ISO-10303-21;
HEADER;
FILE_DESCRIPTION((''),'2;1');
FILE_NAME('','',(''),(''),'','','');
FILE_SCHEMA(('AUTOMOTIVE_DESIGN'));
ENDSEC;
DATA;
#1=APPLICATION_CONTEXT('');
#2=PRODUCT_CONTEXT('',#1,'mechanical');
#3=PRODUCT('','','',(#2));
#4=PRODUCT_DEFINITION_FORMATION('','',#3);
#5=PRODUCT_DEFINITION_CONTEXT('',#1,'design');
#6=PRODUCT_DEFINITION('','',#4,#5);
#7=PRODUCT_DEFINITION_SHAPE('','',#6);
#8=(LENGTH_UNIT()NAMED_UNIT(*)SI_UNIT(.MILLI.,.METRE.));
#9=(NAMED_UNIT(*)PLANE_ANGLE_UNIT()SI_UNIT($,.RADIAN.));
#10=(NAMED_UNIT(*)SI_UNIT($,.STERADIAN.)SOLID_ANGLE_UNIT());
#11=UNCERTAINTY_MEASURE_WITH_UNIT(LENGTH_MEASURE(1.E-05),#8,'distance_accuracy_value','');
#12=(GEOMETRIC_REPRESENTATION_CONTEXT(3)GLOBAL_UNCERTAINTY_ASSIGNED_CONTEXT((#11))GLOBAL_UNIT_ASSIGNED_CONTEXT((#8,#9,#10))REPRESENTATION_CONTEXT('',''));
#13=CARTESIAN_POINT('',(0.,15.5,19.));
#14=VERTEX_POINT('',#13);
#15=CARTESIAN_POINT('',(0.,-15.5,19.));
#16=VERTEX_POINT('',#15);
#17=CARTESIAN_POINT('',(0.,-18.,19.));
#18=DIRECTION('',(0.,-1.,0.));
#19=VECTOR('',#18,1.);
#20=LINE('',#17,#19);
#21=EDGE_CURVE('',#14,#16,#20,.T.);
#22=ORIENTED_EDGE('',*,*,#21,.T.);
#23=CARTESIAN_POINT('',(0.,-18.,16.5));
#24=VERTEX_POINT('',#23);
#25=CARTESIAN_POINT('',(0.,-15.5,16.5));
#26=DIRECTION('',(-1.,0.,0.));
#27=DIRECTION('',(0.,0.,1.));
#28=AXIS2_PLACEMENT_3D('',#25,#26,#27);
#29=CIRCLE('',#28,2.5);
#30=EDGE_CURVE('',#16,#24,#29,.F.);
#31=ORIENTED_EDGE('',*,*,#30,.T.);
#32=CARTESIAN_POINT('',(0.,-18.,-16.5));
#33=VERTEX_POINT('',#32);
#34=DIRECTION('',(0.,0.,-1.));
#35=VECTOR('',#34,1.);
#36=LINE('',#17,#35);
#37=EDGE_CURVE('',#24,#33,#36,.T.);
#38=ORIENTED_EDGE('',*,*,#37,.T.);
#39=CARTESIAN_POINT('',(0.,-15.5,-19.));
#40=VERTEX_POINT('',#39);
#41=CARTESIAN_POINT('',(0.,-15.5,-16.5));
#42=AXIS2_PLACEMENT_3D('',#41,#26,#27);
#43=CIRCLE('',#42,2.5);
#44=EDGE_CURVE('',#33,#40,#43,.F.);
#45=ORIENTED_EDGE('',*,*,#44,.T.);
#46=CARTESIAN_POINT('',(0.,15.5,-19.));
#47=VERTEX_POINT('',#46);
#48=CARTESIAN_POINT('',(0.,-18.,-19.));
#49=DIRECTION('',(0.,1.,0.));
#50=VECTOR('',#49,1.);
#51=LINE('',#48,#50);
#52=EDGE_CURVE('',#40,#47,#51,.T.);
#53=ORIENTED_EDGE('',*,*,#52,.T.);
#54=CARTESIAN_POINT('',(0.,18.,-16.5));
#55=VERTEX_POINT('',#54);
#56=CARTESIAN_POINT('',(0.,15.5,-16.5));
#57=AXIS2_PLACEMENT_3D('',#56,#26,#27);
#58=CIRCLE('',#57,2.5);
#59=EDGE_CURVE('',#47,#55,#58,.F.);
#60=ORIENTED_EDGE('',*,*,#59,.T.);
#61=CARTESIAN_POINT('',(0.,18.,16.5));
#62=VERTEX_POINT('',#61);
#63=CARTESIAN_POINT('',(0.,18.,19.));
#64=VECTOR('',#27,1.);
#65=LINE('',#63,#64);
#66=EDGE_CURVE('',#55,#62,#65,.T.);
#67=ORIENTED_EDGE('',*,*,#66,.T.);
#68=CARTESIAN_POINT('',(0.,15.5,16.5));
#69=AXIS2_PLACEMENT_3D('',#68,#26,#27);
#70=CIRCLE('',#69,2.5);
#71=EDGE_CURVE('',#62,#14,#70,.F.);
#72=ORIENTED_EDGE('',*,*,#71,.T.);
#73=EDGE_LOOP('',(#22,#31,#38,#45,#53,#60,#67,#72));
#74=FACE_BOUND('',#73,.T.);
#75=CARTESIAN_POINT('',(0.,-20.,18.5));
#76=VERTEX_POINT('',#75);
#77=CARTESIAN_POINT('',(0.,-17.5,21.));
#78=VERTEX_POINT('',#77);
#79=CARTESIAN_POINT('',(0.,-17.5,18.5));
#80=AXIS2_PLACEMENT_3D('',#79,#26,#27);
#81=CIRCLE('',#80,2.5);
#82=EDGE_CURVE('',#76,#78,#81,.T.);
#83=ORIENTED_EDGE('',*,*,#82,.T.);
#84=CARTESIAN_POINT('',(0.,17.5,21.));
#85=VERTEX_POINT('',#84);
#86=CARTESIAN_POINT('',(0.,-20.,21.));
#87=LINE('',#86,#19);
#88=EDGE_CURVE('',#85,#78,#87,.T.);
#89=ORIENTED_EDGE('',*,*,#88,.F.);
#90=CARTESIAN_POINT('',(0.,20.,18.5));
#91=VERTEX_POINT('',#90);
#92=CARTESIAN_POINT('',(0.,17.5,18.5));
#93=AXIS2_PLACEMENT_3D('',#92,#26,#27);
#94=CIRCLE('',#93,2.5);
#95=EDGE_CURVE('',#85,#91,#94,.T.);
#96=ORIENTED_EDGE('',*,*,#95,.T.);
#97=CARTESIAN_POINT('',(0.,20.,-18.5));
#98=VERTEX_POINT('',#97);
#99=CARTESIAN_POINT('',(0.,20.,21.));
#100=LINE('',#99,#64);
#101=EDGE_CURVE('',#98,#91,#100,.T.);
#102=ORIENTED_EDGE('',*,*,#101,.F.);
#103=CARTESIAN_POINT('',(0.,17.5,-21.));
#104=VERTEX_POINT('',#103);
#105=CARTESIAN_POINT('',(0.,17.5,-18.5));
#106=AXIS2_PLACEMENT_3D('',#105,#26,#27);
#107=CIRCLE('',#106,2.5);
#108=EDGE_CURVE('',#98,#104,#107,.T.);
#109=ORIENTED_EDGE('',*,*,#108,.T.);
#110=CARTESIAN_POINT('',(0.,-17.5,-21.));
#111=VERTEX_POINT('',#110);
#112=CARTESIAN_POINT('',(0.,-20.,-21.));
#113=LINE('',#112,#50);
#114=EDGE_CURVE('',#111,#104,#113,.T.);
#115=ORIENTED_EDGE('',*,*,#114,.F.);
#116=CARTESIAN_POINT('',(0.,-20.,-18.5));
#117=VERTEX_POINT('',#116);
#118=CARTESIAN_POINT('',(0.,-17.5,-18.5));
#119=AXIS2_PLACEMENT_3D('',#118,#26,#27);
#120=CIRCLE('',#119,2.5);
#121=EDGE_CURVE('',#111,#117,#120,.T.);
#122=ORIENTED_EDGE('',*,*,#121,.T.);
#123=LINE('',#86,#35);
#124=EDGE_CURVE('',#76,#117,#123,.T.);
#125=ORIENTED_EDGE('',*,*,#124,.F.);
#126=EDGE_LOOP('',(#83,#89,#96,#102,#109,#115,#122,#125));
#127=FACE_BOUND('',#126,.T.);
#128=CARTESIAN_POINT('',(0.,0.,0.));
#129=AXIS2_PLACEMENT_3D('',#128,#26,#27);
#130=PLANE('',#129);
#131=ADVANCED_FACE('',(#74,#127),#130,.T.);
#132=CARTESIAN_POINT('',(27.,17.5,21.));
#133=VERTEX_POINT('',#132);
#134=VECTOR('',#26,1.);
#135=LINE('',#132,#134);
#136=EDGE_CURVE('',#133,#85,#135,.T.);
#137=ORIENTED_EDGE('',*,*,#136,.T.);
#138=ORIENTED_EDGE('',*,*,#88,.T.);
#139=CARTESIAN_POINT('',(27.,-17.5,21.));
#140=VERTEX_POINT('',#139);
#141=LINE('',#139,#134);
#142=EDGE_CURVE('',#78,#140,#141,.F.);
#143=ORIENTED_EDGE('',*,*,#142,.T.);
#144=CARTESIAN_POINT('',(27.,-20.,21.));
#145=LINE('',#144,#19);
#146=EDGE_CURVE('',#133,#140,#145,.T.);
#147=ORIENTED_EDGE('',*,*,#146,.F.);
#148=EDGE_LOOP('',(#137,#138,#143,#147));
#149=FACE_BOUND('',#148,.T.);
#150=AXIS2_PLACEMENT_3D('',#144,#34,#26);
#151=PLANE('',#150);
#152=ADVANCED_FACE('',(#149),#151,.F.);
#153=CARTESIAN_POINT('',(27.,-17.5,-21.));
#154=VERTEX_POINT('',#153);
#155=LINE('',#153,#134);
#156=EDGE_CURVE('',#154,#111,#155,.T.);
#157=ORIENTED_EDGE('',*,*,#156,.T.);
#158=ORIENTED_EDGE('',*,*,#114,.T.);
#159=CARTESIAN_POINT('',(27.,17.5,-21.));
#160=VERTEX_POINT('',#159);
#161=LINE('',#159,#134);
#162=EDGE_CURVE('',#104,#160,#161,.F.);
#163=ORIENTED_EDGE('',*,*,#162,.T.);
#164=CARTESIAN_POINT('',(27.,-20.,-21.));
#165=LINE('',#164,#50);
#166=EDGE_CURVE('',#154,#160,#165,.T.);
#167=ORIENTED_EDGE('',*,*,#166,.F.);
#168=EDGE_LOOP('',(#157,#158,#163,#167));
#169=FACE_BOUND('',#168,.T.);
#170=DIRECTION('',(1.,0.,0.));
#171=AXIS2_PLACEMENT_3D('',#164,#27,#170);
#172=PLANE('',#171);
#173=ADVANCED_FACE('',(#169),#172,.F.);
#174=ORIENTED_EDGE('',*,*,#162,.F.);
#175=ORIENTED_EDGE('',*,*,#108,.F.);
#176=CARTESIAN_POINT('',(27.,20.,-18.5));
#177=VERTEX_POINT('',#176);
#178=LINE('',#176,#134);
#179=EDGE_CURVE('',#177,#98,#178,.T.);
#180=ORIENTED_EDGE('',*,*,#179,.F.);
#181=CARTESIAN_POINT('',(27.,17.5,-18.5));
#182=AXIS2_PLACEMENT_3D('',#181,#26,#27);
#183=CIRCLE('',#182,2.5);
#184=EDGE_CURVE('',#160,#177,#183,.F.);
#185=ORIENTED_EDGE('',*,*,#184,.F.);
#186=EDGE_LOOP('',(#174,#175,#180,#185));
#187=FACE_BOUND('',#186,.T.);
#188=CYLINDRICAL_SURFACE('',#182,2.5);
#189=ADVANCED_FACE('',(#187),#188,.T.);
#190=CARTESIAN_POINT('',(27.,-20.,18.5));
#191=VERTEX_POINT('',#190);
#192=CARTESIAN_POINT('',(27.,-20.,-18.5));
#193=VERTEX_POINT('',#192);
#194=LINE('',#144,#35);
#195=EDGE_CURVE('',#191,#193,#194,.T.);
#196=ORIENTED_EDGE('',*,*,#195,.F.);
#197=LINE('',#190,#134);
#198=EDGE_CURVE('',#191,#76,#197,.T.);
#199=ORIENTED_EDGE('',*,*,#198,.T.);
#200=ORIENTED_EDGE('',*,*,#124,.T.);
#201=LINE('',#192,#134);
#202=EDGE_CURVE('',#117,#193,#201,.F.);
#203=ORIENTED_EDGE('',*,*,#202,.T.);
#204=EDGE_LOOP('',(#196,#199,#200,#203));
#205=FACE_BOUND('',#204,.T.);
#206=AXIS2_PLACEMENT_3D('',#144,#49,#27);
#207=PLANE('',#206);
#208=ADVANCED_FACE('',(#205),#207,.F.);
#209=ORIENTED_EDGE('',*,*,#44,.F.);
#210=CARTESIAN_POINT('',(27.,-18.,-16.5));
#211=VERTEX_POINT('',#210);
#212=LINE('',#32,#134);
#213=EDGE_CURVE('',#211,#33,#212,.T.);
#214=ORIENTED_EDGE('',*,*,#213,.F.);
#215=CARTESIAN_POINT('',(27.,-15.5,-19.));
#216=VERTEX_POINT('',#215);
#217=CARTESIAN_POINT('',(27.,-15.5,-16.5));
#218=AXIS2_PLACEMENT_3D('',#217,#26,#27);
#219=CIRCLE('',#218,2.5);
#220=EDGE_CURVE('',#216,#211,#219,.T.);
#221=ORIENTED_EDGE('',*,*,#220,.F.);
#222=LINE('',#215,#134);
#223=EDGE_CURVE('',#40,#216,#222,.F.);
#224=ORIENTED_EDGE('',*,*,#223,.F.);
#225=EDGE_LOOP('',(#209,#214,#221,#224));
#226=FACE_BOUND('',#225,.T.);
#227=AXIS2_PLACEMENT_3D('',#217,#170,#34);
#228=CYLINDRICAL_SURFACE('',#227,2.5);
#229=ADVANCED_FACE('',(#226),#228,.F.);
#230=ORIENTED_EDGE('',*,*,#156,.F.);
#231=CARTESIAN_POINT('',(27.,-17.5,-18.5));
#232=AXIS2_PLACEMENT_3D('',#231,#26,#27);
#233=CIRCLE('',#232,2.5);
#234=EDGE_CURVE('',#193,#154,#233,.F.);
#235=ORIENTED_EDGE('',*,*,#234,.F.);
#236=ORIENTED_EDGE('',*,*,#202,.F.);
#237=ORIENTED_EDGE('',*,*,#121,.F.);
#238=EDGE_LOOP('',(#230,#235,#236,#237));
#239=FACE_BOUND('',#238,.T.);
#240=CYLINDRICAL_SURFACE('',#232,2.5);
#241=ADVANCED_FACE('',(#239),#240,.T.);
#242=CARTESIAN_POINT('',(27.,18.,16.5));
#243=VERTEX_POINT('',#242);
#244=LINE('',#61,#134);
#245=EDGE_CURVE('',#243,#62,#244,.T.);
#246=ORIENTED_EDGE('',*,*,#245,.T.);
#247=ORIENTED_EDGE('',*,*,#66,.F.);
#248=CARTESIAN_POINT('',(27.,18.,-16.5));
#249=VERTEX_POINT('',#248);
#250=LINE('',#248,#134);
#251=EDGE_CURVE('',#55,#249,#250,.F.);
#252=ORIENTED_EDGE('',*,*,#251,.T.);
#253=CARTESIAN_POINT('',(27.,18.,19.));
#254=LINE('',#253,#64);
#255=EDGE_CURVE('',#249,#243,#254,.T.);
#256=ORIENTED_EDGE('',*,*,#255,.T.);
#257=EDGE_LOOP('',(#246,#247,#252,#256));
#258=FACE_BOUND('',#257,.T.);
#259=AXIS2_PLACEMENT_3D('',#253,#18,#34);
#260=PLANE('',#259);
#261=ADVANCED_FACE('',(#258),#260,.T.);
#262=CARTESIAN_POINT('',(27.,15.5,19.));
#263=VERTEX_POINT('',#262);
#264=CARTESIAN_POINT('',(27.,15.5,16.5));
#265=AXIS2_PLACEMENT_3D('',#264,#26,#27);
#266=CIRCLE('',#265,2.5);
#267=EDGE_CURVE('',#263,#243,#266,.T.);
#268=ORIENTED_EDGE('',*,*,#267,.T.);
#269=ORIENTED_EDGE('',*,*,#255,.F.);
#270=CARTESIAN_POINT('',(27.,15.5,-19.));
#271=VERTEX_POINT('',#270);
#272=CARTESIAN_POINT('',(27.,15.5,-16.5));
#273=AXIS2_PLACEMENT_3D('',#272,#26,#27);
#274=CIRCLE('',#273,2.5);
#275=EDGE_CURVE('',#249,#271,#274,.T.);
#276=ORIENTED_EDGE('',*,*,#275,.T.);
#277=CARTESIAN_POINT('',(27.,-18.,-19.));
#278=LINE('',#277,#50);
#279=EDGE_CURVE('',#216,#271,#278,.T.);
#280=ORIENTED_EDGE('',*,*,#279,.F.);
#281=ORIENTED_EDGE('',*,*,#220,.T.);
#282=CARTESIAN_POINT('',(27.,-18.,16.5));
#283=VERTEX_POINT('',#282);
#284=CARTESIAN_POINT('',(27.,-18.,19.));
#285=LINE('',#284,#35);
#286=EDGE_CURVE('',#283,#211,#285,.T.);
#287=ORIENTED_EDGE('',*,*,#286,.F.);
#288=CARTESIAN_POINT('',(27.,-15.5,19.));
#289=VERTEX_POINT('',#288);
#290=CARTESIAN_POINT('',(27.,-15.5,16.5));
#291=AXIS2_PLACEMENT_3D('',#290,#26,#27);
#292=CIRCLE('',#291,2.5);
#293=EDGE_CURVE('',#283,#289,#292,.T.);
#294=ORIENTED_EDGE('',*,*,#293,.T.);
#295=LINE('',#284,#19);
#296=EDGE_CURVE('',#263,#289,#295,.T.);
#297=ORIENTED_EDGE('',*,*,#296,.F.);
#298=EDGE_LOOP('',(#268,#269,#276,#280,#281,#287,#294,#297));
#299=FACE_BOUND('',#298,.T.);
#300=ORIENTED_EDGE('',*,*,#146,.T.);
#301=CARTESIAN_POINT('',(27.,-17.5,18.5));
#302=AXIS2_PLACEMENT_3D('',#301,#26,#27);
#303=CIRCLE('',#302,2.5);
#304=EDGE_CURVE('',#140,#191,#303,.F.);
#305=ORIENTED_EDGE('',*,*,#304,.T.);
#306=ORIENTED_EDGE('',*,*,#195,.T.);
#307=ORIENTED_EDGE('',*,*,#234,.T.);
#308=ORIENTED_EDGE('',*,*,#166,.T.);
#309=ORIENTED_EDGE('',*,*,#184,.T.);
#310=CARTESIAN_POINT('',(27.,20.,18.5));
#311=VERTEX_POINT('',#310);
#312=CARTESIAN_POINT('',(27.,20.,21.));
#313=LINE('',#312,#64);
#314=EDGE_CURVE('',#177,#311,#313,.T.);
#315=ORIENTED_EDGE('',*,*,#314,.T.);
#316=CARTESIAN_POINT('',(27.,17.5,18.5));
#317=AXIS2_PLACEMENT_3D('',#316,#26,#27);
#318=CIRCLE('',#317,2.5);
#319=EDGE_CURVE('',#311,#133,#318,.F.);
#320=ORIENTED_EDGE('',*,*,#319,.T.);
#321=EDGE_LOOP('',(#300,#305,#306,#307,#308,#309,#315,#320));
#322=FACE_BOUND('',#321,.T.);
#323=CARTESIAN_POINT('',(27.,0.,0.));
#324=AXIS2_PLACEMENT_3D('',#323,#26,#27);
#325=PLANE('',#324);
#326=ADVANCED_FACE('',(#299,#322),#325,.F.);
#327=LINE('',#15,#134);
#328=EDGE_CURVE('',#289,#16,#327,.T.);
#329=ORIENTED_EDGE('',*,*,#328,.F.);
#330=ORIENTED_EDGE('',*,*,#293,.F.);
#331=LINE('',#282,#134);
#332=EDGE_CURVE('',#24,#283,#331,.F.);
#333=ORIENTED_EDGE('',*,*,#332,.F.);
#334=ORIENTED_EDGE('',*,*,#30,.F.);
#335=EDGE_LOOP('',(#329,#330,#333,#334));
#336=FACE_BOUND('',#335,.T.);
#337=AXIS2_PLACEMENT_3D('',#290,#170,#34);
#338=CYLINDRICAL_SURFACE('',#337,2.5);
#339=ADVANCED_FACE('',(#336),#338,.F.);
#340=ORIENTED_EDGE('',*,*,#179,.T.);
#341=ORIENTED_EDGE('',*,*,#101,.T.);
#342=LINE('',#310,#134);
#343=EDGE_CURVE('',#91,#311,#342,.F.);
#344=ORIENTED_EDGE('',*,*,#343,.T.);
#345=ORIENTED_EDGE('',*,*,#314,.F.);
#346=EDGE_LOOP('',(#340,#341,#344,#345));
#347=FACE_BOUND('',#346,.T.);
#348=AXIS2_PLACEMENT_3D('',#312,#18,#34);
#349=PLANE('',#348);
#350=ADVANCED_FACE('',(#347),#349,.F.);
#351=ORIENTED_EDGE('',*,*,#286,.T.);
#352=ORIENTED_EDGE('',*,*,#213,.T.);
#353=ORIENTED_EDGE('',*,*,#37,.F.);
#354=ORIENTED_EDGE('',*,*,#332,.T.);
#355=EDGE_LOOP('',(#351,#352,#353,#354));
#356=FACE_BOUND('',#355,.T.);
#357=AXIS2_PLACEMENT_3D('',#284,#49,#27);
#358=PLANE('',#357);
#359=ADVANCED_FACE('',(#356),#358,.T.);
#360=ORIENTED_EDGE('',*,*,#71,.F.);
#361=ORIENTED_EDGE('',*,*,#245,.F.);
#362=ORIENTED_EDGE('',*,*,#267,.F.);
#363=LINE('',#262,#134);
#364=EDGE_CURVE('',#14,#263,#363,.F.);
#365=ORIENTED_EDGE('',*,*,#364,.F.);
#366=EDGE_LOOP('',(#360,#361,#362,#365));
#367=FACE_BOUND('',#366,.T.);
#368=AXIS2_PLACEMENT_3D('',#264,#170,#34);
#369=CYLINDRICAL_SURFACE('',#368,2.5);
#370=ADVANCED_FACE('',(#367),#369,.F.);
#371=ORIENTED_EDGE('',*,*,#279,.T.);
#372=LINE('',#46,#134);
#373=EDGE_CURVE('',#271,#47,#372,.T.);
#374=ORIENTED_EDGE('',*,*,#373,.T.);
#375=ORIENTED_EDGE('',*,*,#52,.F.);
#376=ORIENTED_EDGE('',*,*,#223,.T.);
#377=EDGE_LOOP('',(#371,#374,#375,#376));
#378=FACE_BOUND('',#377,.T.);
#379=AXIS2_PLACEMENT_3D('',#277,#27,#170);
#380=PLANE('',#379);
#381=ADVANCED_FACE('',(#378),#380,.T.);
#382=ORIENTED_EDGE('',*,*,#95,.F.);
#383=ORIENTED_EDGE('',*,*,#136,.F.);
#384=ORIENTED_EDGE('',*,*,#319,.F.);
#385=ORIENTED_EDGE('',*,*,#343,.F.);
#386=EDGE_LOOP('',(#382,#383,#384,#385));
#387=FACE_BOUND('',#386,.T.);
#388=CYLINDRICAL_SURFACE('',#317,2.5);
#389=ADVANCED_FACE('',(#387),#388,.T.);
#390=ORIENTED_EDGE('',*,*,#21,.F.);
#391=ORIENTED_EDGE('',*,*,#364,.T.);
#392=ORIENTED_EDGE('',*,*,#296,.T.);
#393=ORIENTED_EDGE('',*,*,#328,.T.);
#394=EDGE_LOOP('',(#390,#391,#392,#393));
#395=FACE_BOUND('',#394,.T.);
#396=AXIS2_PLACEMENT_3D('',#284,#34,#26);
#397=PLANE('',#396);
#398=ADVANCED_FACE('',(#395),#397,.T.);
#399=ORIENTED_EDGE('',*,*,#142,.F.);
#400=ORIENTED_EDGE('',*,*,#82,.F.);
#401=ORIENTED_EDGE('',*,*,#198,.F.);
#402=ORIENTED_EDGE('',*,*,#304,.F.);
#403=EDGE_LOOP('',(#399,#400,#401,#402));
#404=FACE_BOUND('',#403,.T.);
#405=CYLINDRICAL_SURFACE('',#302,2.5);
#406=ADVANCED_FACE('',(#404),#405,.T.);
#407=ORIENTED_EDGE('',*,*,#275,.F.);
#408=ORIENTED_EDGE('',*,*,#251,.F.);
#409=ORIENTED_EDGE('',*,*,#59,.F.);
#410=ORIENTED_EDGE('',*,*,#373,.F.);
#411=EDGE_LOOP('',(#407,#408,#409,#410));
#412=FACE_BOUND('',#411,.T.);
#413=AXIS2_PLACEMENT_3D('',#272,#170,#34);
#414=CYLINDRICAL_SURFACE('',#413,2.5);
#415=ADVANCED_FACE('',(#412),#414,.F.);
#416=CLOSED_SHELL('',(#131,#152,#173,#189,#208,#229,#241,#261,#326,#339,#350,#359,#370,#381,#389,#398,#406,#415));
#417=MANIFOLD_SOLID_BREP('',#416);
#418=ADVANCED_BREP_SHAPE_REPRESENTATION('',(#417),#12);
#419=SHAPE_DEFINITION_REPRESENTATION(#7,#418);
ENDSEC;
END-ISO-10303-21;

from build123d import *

# Parameters (mm, degrees)
SKETCH_1_W      = 42
SKETCH_1_H      = 40
SKETCH_1_W_2    = 38
SKETCH_1_H_2    = 36
EXTRUDE_1_DEPTH = 27
FILLET_1_R      = 2.5


with BuildPart() as part:
    # 草图1 → 凸台-拉伸1 (new body)
    with BuildSketch(Plane(origin=(0, 0, 0), x_dir=(0, 0, -1), z_dir=(1, 0, 0))):
        Rectangle(SKETCH_1_W, SKETCH_1_H)
        Rectangle(SKETCH_1_W_2, SKETCH_1_H_2, mode=Mode.SUBTRACT)
    extrude(amount=EXTRUDE_1_DEPTH)

    # 圆角1
    fillet_1_edges = [part.edges().sort_by_distance(p)[0] for p in [
        (13.5, -18, -19),
        (13.5, 18, -19),
        (13.5, 18, 19),
        (13.5, -18, 19),
        (13.5, 20, 21),
        (13.5, 20, -21),
        (13.5, -20, -21),
        (13.5, -20, 21),
    ]]
    fillet(fillet_1_edges, radius=FILLET_1_R)


solid = part.part
